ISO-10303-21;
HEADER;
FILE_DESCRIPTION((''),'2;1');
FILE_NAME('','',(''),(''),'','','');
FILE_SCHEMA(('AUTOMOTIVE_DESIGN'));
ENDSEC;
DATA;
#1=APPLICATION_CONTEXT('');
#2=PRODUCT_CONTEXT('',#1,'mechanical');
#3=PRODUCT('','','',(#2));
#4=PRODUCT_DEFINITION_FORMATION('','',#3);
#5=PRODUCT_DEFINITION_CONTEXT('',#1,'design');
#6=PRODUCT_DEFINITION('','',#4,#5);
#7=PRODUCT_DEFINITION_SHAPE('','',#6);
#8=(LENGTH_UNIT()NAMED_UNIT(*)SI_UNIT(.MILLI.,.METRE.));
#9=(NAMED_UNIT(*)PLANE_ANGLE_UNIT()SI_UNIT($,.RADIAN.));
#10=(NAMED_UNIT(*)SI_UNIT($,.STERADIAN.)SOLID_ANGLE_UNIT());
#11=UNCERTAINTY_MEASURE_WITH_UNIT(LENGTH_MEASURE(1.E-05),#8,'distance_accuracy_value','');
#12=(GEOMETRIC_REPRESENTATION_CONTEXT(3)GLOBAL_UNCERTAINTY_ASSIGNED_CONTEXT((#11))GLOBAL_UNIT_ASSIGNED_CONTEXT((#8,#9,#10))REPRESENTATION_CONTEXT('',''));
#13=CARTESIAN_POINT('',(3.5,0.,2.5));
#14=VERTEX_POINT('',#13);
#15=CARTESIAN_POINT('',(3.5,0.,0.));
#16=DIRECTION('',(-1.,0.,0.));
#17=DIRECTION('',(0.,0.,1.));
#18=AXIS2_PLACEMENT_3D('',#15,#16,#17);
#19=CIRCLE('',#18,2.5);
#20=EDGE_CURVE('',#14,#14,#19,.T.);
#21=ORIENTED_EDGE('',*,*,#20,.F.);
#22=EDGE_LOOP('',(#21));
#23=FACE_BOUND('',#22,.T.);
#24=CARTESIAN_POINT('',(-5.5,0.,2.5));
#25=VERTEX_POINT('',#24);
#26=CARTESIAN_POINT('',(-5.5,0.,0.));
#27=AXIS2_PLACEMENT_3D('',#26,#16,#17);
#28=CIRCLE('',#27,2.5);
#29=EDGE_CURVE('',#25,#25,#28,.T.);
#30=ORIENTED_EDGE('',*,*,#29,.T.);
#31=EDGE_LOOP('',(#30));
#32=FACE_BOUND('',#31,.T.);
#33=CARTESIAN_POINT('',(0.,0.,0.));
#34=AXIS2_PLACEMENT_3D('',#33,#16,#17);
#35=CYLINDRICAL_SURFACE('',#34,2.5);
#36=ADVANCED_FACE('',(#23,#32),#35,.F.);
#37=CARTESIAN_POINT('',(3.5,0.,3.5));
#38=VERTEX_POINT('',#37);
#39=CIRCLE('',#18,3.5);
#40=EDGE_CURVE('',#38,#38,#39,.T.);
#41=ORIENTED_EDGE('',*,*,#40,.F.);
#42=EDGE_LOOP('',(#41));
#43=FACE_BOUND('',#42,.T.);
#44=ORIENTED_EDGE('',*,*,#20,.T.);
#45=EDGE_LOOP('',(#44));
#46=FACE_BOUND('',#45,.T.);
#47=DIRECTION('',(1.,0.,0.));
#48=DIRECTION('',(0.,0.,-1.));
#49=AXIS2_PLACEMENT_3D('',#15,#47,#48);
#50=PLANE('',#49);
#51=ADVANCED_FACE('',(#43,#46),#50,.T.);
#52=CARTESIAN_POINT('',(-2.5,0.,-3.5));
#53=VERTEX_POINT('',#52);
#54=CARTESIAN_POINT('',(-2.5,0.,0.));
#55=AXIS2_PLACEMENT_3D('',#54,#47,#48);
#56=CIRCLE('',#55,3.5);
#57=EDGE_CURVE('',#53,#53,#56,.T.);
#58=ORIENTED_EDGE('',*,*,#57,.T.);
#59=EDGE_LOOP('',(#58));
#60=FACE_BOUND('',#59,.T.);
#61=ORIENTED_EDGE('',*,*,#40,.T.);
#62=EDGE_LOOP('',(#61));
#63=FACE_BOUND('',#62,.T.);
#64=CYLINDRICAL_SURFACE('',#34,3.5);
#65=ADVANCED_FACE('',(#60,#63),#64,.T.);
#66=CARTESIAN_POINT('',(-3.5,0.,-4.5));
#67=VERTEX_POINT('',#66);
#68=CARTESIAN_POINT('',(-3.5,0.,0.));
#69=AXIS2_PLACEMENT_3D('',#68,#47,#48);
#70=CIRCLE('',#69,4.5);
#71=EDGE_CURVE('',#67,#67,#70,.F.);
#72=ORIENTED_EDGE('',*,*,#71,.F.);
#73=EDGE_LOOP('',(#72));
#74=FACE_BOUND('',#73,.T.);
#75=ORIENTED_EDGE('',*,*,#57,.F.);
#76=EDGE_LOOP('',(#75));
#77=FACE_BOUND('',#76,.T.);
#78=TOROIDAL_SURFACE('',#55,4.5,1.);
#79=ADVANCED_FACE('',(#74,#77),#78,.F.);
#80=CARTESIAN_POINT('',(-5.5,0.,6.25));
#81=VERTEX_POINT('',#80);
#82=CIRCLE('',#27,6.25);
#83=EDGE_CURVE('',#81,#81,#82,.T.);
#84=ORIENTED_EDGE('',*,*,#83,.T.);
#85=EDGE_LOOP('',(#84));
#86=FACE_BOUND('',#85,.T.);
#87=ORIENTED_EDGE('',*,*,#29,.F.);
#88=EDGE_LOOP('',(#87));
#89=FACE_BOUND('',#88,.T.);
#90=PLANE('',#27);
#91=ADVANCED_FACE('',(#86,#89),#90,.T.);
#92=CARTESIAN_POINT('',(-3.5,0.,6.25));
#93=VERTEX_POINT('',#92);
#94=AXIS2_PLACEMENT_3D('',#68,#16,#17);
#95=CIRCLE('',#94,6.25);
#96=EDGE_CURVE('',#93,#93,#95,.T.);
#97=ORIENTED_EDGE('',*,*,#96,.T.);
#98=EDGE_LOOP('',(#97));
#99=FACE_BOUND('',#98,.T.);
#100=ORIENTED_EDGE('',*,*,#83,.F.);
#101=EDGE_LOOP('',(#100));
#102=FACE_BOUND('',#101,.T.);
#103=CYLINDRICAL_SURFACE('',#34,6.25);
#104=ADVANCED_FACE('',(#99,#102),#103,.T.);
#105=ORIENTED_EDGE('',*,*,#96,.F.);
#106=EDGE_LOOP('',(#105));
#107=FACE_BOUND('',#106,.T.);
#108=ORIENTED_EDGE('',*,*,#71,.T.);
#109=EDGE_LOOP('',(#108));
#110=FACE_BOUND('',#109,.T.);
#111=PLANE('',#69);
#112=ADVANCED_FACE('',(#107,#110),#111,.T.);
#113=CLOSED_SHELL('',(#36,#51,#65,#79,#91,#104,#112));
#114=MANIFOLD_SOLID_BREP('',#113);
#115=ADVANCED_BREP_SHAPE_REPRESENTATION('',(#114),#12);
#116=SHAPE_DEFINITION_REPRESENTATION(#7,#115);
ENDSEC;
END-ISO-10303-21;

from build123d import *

# Parameters (mm, degrees)
SKETCH1_W = 7
SKETCH1_H = 1
FILLET1_R = 1


with BuildPart() as part:
    # Sketch1 → Revolve1 (revolve)
    with BuildSketch(Plane.XY, mode=Mode.PRIVATE) as revolve1_sk:
        Polygon((-3.5, 2.5), (-3.5, 3.5), (-3.5, 6.25), (-5.5, 6.25), (-5.5, 2.5), align=None)
        with Locations((0, 3)):
            Rectangle(SKETCH1_W, SKETCH1_H)
    revolve(revolve1_sk.sketch.rotate(Axis((0, 0, 0), (1, 0, 0)), 90), axis=Axis((0, 0, 0), (1, 0, 0)))

    # Fillet1
    fillet1_edges = [part.edges().sort_by_distance(p)[0] for p in [
        (-3.5, 0, -3.5),
    ]]
    fillet(fillet1_edges, radius=FILLET1_R)


solid = part.part
